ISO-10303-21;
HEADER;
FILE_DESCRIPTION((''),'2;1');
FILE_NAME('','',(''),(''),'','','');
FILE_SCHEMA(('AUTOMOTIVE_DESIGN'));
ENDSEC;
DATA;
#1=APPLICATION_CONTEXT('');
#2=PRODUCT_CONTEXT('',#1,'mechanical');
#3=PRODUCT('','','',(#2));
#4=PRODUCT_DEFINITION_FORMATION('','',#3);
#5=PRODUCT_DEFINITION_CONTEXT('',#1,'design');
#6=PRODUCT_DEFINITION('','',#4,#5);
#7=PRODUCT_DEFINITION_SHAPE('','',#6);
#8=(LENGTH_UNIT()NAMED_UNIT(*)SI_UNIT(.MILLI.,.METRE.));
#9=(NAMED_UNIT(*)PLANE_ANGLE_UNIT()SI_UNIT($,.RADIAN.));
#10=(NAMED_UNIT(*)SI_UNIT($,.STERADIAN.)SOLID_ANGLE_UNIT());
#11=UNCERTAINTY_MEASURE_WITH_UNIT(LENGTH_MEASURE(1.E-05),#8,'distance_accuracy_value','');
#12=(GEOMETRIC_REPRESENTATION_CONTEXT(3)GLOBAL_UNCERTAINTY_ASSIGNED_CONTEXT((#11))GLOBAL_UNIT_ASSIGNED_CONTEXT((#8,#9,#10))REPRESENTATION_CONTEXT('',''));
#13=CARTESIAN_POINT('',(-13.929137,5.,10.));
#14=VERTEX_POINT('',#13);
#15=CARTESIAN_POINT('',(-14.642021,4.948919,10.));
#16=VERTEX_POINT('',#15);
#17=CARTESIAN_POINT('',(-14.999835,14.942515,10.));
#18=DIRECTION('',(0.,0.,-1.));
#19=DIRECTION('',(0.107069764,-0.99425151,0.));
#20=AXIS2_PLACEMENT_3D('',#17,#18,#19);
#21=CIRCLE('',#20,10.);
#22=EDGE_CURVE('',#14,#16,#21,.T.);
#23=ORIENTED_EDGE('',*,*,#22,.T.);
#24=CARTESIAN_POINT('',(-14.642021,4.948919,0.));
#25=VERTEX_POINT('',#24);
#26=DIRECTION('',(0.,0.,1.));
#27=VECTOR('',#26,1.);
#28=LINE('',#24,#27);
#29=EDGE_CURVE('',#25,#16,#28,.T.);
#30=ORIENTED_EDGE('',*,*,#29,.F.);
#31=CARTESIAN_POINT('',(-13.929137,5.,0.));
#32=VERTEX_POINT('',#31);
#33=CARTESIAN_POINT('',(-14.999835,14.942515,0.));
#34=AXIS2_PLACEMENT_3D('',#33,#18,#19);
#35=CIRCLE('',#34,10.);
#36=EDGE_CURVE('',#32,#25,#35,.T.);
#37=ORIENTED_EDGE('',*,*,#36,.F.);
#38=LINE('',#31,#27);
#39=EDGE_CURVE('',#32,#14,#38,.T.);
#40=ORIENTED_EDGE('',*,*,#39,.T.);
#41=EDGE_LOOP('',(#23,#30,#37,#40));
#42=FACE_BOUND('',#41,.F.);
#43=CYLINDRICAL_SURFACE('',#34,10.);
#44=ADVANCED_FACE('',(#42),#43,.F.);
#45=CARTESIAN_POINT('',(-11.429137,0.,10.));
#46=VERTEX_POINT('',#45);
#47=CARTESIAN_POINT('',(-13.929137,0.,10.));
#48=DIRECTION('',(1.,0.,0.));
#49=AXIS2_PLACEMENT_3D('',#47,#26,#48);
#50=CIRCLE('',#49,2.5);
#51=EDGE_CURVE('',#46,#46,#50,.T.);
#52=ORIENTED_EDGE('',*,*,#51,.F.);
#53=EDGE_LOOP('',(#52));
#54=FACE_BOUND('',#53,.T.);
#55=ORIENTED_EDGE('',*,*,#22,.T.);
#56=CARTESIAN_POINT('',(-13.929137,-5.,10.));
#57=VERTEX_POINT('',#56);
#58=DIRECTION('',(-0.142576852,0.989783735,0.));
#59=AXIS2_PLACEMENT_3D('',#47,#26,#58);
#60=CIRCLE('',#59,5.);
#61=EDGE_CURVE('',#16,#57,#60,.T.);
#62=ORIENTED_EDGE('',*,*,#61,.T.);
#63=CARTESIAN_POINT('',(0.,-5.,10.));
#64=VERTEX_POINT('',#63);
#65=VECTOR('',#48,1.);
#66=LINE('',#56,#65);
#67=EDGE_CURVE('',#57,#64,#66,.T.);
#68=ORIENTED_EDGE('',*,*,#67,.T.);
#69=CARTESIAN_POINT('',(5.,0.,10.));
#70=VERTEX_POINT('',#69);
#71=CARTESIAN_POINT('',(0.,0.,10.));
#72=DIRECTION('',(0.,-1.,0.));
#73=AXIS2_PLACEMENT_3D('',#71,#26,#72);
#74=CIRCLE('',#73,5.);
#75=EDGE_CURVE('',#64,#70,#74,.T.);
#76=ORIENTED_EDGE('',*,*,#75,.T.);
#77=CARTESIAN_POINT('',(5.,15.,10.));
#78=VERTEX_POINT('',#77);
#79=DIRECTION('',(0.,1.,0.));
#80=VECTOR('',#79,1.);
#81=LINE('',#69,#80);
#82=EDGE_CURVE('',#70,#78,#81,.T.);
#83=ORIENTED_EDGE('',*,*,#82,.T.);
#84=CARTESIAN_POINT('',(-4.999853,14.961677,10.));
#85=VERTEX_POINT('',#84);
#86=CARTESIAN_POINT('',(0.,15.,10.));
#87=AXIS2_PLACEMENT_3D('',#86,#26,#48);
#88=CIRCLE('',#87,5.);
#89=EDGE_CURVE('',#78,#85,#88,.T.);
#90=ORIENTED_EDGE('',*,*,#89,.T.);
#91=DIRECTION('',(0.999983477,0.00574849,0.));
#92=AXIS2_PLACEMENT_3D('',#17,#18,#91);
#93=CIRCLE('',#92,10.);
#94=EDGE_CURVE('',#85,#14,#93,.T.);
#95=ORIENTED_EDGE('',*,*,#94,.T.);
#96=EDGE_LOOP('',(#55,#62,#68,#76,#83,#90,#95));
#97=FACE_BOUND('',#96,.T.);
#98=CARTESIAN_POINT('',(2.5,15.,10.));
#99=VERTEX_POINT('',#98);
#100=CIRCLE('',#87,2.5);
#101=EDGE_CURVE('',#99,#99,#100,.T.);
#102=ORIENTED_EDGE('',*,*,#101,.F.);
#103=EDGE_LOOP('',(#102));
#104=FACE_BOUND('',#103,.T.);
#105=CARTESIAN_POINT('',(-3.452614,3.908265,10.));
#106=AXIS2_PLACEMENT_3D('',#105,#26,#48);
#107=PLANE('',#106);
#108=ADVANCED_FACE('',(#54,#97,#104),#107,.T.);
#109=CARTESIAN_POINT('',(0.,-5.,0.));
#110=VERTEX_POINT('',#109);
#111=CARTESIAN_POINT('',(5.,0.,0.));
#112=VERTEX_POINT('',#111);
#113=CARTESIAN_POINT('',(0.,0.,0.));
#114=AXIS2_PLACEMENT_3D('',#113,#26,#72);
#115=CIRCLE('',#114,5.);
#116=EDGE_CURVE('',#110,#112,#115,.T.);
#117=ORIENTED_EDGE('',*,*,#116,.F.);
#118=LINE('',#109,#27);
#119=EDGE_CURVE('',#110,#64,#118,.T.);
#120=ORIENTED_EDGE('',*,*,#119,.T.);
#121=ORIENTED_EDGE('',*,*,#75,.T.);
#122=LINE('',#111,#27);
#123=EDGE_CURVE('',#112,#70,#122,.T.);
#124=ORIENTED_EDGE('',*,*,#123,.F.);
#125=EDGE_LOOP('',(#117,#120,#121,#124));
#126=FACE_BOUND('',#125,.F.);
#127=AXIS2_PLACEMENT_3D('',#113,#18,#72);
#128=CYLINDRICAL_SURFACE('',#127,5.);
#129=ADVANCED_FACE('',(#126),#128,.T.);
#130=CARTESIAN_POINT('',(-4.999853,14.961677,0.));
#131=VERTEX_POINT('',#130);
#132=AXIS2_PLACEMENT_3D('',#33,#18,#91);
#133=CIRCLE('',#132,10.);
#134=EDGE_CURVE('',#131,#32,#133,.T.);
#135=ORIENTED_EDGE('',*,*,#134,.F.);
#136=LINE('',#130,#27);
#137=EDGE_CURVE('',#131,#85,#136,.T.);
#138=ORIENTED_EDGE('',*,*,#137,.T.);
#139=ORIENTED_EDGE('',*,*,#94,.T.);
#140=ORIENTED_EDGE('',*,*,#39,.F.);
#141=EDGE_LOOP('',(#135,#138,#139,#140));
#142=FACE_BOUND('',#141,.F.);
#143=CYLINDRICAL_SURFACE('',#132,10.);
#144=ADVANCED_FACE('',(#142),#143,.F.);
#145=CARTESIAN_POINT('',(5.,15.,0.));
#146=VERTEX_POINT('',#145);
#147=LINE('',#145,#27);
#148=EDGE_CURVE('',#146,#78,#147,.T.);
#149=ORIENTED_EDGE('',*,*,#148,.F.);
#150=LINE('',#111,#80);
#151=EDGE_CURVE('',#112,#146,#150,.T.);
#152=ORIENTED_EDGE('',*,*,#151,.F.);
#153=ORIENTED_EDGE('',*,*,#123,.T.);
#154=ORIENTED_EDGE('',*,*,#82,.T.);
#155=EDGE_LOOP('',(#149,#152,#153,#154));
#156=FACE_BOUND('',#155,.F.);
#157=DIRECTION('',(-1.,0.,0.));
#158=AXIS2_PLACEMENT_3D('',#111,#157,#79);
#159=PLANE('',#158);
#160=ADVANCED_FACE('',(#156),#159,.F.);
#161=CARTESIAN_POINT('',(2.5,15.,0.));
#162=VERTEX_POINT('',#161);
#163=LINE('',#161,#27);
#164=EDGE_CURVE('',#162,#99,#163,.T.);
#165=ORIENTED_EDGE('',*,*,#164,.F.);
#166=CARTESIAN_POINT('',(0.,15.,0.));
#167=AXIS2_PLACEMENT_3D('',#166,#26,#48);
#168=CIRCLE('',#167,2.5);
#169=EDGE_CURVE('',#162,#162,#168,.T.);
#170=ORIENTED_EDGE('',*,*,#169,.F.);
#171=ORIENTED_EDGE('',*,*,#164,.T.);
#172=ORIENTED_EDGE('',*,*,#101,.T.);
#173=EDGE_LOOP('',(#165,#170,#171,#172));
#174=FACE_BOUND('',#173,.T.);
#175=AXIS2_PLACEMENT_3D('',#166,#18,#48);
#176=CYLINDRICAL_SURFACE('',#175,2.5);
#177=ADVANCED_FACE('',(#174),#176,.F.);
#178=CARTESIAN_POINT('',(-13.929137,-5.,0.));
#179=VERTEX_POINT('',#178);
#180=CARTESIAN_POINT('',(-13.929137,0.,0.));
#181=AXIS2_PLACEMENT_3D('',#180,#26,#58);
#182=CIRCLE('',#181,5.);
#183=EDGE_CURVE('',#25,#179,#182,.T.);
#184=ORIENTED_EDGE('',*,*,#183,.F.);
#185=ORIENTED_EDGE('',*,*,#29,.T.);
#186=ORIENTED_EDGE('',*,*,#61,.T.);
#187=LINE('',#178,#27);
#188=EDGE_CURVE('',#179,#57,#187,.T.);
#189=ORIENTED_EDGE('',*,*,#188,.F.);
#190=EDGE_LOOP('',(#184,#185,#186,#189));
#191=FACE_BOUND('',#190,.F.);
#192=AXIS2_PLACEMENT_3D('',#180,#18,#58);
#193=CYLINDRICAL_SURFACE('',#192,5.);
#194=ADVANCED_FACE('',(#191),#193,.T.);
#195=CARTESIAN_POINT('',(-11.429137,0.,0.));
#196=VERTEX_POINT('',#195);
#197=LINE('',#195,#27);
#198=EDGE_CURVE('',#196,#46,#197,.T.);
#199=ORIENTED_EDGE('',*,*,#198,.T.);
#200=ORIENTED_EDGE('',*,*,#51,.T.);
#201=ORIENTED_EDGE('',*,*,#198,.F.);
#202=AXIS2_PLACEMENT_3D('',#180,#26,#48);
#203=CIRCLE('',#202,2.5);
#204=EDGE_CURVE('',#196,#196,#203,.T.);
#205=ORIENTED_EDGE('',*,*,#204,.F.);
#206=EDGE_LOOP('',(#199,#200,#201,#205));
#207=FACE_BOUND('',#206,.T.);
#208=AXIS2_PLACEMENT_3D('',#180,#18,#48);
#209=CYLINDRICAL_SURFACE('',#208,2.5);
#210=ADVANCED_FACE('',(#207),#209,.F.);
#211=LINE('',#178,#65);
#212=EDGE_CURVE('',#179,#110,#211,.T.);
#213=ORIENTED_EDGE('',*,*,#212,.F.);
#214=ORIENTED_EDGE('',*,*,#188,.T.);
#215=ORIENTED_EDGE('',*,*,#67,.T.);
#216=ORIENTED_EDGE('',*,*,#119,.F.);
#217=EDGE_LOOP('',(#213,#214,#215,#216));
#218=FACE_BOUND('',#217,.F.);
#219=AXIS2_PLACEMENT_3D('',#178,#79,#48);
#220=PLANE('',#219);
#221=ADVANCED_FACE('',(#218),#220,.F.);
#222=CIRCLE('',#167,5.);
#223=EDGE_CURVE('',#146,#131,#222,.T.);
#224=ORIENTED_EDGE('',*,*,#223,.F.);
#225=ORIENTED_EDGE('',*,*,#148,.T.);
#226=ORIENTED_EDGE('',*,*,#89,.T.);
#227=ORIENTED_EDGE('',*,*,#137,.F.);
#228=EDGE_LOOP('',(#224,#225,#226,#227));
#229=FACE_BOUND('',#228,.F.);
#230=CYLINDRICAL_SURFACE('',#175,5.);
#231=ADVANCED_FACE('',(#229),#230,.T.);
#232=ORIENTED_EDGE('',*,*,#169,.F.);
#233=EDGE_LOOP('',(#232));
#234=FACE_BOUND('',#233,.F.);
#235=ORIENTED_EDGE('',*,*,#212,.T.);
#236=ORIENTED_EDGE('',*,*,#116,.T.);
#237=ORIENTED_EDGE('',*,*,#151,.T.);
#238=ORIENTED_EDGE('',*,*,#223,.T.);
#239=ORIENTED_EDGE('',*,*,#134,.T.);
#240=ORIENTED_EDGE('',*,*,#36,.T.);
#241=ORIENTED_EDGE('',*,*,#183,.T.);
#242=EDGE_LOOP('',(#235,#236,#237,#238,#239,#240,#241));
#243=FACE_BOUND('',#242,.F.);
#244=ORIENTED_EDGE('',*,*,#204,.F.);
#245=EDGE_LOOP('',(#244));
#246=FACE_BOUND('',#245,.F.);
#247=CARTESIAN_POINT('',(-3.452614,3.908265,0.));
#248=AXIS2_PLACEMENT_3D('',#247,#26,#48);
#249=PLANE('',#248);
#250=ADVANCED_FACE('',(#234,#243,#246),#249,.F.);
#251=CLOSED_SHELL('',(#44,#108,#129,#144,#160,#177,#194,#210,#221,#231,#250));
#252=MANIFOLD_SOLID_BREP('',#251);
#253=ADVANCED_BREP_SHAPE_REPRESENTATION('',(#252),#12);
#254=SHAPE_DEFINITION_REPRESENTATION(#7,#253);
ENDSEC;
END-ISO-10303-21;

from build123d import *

# Parameters (mm, degrees)
F0_R     = 2.5
F1_DEPTH = 10


with BuildPart() as f1:
    # F0 (on Top) → F1 (new body)
    with BuildSketch(Plane.XY):
        with BuildLine():
            ThreePointArc((0, -5), (-3.5355339059, 3.5355339059), (5, 0))
            Line((5, 0), (5, 15))
            ThreePointArc((5, 15), (0, 10), (-5, 15))
            ThreePointArc((-5, 15), (-7.5406677948, 8.2821226215), (-13.9291371274, 5))
            ThreePointArc((-13.9291371274, 5), (-10.3936032215, 3.5355339059), (-8.9291371274, 0))
            ThreePointArc((-8.9291371274, 0), (-10.3936032215, -3.5355339059), (-13.9291371274, -5))
            Line((-13.9291371274, -5), (0, -5))
        make_face()
        with BuildLine():
            ThreePointArc((-14.6420213859, 4.9489186732), (-18.9163504458, -0.3573560088), (-13.9291371274, -5))
            ThreePointArc((-13.9291371274, -5), (-10.3936032215, -3.5355339059), (-8.9291371274, 0))
            ThreePointArc((-8.9291371274, 0), (-10.3936032215, 3.5355339059), (-13.9291371274, 5))
            ThreePointArc((-13.9291371274, 5), (-14.2851227554, 4.9680884652), (-14.6420213859, 4.9489186732))
        make_face()
        with Locations((-13.9291371274, 0)):
            Circle(F0_R, mode=Mode.SUBTRACT)
        with BuildLine():
            ThreePointArc((0, -5), (3.5355339059, -3.5355339059), (5, 0))
            ThreePointArc((5, 0), (-3.5355339059, 3.5355339059), (0, -5))
        make_face()
        with BuildLine():
            ThreePointArc((5, 15), (0, 20), (-5, 15))
            ThreePointArc((-5, 15), (0, 10), (5, 15))
        make_face()
        with Locations((0, 15)):
            Circle(F0_R, mode=Mode.SUBTRACT)
    extrude(amount=F1_DEPTH)


solid = f1.part
